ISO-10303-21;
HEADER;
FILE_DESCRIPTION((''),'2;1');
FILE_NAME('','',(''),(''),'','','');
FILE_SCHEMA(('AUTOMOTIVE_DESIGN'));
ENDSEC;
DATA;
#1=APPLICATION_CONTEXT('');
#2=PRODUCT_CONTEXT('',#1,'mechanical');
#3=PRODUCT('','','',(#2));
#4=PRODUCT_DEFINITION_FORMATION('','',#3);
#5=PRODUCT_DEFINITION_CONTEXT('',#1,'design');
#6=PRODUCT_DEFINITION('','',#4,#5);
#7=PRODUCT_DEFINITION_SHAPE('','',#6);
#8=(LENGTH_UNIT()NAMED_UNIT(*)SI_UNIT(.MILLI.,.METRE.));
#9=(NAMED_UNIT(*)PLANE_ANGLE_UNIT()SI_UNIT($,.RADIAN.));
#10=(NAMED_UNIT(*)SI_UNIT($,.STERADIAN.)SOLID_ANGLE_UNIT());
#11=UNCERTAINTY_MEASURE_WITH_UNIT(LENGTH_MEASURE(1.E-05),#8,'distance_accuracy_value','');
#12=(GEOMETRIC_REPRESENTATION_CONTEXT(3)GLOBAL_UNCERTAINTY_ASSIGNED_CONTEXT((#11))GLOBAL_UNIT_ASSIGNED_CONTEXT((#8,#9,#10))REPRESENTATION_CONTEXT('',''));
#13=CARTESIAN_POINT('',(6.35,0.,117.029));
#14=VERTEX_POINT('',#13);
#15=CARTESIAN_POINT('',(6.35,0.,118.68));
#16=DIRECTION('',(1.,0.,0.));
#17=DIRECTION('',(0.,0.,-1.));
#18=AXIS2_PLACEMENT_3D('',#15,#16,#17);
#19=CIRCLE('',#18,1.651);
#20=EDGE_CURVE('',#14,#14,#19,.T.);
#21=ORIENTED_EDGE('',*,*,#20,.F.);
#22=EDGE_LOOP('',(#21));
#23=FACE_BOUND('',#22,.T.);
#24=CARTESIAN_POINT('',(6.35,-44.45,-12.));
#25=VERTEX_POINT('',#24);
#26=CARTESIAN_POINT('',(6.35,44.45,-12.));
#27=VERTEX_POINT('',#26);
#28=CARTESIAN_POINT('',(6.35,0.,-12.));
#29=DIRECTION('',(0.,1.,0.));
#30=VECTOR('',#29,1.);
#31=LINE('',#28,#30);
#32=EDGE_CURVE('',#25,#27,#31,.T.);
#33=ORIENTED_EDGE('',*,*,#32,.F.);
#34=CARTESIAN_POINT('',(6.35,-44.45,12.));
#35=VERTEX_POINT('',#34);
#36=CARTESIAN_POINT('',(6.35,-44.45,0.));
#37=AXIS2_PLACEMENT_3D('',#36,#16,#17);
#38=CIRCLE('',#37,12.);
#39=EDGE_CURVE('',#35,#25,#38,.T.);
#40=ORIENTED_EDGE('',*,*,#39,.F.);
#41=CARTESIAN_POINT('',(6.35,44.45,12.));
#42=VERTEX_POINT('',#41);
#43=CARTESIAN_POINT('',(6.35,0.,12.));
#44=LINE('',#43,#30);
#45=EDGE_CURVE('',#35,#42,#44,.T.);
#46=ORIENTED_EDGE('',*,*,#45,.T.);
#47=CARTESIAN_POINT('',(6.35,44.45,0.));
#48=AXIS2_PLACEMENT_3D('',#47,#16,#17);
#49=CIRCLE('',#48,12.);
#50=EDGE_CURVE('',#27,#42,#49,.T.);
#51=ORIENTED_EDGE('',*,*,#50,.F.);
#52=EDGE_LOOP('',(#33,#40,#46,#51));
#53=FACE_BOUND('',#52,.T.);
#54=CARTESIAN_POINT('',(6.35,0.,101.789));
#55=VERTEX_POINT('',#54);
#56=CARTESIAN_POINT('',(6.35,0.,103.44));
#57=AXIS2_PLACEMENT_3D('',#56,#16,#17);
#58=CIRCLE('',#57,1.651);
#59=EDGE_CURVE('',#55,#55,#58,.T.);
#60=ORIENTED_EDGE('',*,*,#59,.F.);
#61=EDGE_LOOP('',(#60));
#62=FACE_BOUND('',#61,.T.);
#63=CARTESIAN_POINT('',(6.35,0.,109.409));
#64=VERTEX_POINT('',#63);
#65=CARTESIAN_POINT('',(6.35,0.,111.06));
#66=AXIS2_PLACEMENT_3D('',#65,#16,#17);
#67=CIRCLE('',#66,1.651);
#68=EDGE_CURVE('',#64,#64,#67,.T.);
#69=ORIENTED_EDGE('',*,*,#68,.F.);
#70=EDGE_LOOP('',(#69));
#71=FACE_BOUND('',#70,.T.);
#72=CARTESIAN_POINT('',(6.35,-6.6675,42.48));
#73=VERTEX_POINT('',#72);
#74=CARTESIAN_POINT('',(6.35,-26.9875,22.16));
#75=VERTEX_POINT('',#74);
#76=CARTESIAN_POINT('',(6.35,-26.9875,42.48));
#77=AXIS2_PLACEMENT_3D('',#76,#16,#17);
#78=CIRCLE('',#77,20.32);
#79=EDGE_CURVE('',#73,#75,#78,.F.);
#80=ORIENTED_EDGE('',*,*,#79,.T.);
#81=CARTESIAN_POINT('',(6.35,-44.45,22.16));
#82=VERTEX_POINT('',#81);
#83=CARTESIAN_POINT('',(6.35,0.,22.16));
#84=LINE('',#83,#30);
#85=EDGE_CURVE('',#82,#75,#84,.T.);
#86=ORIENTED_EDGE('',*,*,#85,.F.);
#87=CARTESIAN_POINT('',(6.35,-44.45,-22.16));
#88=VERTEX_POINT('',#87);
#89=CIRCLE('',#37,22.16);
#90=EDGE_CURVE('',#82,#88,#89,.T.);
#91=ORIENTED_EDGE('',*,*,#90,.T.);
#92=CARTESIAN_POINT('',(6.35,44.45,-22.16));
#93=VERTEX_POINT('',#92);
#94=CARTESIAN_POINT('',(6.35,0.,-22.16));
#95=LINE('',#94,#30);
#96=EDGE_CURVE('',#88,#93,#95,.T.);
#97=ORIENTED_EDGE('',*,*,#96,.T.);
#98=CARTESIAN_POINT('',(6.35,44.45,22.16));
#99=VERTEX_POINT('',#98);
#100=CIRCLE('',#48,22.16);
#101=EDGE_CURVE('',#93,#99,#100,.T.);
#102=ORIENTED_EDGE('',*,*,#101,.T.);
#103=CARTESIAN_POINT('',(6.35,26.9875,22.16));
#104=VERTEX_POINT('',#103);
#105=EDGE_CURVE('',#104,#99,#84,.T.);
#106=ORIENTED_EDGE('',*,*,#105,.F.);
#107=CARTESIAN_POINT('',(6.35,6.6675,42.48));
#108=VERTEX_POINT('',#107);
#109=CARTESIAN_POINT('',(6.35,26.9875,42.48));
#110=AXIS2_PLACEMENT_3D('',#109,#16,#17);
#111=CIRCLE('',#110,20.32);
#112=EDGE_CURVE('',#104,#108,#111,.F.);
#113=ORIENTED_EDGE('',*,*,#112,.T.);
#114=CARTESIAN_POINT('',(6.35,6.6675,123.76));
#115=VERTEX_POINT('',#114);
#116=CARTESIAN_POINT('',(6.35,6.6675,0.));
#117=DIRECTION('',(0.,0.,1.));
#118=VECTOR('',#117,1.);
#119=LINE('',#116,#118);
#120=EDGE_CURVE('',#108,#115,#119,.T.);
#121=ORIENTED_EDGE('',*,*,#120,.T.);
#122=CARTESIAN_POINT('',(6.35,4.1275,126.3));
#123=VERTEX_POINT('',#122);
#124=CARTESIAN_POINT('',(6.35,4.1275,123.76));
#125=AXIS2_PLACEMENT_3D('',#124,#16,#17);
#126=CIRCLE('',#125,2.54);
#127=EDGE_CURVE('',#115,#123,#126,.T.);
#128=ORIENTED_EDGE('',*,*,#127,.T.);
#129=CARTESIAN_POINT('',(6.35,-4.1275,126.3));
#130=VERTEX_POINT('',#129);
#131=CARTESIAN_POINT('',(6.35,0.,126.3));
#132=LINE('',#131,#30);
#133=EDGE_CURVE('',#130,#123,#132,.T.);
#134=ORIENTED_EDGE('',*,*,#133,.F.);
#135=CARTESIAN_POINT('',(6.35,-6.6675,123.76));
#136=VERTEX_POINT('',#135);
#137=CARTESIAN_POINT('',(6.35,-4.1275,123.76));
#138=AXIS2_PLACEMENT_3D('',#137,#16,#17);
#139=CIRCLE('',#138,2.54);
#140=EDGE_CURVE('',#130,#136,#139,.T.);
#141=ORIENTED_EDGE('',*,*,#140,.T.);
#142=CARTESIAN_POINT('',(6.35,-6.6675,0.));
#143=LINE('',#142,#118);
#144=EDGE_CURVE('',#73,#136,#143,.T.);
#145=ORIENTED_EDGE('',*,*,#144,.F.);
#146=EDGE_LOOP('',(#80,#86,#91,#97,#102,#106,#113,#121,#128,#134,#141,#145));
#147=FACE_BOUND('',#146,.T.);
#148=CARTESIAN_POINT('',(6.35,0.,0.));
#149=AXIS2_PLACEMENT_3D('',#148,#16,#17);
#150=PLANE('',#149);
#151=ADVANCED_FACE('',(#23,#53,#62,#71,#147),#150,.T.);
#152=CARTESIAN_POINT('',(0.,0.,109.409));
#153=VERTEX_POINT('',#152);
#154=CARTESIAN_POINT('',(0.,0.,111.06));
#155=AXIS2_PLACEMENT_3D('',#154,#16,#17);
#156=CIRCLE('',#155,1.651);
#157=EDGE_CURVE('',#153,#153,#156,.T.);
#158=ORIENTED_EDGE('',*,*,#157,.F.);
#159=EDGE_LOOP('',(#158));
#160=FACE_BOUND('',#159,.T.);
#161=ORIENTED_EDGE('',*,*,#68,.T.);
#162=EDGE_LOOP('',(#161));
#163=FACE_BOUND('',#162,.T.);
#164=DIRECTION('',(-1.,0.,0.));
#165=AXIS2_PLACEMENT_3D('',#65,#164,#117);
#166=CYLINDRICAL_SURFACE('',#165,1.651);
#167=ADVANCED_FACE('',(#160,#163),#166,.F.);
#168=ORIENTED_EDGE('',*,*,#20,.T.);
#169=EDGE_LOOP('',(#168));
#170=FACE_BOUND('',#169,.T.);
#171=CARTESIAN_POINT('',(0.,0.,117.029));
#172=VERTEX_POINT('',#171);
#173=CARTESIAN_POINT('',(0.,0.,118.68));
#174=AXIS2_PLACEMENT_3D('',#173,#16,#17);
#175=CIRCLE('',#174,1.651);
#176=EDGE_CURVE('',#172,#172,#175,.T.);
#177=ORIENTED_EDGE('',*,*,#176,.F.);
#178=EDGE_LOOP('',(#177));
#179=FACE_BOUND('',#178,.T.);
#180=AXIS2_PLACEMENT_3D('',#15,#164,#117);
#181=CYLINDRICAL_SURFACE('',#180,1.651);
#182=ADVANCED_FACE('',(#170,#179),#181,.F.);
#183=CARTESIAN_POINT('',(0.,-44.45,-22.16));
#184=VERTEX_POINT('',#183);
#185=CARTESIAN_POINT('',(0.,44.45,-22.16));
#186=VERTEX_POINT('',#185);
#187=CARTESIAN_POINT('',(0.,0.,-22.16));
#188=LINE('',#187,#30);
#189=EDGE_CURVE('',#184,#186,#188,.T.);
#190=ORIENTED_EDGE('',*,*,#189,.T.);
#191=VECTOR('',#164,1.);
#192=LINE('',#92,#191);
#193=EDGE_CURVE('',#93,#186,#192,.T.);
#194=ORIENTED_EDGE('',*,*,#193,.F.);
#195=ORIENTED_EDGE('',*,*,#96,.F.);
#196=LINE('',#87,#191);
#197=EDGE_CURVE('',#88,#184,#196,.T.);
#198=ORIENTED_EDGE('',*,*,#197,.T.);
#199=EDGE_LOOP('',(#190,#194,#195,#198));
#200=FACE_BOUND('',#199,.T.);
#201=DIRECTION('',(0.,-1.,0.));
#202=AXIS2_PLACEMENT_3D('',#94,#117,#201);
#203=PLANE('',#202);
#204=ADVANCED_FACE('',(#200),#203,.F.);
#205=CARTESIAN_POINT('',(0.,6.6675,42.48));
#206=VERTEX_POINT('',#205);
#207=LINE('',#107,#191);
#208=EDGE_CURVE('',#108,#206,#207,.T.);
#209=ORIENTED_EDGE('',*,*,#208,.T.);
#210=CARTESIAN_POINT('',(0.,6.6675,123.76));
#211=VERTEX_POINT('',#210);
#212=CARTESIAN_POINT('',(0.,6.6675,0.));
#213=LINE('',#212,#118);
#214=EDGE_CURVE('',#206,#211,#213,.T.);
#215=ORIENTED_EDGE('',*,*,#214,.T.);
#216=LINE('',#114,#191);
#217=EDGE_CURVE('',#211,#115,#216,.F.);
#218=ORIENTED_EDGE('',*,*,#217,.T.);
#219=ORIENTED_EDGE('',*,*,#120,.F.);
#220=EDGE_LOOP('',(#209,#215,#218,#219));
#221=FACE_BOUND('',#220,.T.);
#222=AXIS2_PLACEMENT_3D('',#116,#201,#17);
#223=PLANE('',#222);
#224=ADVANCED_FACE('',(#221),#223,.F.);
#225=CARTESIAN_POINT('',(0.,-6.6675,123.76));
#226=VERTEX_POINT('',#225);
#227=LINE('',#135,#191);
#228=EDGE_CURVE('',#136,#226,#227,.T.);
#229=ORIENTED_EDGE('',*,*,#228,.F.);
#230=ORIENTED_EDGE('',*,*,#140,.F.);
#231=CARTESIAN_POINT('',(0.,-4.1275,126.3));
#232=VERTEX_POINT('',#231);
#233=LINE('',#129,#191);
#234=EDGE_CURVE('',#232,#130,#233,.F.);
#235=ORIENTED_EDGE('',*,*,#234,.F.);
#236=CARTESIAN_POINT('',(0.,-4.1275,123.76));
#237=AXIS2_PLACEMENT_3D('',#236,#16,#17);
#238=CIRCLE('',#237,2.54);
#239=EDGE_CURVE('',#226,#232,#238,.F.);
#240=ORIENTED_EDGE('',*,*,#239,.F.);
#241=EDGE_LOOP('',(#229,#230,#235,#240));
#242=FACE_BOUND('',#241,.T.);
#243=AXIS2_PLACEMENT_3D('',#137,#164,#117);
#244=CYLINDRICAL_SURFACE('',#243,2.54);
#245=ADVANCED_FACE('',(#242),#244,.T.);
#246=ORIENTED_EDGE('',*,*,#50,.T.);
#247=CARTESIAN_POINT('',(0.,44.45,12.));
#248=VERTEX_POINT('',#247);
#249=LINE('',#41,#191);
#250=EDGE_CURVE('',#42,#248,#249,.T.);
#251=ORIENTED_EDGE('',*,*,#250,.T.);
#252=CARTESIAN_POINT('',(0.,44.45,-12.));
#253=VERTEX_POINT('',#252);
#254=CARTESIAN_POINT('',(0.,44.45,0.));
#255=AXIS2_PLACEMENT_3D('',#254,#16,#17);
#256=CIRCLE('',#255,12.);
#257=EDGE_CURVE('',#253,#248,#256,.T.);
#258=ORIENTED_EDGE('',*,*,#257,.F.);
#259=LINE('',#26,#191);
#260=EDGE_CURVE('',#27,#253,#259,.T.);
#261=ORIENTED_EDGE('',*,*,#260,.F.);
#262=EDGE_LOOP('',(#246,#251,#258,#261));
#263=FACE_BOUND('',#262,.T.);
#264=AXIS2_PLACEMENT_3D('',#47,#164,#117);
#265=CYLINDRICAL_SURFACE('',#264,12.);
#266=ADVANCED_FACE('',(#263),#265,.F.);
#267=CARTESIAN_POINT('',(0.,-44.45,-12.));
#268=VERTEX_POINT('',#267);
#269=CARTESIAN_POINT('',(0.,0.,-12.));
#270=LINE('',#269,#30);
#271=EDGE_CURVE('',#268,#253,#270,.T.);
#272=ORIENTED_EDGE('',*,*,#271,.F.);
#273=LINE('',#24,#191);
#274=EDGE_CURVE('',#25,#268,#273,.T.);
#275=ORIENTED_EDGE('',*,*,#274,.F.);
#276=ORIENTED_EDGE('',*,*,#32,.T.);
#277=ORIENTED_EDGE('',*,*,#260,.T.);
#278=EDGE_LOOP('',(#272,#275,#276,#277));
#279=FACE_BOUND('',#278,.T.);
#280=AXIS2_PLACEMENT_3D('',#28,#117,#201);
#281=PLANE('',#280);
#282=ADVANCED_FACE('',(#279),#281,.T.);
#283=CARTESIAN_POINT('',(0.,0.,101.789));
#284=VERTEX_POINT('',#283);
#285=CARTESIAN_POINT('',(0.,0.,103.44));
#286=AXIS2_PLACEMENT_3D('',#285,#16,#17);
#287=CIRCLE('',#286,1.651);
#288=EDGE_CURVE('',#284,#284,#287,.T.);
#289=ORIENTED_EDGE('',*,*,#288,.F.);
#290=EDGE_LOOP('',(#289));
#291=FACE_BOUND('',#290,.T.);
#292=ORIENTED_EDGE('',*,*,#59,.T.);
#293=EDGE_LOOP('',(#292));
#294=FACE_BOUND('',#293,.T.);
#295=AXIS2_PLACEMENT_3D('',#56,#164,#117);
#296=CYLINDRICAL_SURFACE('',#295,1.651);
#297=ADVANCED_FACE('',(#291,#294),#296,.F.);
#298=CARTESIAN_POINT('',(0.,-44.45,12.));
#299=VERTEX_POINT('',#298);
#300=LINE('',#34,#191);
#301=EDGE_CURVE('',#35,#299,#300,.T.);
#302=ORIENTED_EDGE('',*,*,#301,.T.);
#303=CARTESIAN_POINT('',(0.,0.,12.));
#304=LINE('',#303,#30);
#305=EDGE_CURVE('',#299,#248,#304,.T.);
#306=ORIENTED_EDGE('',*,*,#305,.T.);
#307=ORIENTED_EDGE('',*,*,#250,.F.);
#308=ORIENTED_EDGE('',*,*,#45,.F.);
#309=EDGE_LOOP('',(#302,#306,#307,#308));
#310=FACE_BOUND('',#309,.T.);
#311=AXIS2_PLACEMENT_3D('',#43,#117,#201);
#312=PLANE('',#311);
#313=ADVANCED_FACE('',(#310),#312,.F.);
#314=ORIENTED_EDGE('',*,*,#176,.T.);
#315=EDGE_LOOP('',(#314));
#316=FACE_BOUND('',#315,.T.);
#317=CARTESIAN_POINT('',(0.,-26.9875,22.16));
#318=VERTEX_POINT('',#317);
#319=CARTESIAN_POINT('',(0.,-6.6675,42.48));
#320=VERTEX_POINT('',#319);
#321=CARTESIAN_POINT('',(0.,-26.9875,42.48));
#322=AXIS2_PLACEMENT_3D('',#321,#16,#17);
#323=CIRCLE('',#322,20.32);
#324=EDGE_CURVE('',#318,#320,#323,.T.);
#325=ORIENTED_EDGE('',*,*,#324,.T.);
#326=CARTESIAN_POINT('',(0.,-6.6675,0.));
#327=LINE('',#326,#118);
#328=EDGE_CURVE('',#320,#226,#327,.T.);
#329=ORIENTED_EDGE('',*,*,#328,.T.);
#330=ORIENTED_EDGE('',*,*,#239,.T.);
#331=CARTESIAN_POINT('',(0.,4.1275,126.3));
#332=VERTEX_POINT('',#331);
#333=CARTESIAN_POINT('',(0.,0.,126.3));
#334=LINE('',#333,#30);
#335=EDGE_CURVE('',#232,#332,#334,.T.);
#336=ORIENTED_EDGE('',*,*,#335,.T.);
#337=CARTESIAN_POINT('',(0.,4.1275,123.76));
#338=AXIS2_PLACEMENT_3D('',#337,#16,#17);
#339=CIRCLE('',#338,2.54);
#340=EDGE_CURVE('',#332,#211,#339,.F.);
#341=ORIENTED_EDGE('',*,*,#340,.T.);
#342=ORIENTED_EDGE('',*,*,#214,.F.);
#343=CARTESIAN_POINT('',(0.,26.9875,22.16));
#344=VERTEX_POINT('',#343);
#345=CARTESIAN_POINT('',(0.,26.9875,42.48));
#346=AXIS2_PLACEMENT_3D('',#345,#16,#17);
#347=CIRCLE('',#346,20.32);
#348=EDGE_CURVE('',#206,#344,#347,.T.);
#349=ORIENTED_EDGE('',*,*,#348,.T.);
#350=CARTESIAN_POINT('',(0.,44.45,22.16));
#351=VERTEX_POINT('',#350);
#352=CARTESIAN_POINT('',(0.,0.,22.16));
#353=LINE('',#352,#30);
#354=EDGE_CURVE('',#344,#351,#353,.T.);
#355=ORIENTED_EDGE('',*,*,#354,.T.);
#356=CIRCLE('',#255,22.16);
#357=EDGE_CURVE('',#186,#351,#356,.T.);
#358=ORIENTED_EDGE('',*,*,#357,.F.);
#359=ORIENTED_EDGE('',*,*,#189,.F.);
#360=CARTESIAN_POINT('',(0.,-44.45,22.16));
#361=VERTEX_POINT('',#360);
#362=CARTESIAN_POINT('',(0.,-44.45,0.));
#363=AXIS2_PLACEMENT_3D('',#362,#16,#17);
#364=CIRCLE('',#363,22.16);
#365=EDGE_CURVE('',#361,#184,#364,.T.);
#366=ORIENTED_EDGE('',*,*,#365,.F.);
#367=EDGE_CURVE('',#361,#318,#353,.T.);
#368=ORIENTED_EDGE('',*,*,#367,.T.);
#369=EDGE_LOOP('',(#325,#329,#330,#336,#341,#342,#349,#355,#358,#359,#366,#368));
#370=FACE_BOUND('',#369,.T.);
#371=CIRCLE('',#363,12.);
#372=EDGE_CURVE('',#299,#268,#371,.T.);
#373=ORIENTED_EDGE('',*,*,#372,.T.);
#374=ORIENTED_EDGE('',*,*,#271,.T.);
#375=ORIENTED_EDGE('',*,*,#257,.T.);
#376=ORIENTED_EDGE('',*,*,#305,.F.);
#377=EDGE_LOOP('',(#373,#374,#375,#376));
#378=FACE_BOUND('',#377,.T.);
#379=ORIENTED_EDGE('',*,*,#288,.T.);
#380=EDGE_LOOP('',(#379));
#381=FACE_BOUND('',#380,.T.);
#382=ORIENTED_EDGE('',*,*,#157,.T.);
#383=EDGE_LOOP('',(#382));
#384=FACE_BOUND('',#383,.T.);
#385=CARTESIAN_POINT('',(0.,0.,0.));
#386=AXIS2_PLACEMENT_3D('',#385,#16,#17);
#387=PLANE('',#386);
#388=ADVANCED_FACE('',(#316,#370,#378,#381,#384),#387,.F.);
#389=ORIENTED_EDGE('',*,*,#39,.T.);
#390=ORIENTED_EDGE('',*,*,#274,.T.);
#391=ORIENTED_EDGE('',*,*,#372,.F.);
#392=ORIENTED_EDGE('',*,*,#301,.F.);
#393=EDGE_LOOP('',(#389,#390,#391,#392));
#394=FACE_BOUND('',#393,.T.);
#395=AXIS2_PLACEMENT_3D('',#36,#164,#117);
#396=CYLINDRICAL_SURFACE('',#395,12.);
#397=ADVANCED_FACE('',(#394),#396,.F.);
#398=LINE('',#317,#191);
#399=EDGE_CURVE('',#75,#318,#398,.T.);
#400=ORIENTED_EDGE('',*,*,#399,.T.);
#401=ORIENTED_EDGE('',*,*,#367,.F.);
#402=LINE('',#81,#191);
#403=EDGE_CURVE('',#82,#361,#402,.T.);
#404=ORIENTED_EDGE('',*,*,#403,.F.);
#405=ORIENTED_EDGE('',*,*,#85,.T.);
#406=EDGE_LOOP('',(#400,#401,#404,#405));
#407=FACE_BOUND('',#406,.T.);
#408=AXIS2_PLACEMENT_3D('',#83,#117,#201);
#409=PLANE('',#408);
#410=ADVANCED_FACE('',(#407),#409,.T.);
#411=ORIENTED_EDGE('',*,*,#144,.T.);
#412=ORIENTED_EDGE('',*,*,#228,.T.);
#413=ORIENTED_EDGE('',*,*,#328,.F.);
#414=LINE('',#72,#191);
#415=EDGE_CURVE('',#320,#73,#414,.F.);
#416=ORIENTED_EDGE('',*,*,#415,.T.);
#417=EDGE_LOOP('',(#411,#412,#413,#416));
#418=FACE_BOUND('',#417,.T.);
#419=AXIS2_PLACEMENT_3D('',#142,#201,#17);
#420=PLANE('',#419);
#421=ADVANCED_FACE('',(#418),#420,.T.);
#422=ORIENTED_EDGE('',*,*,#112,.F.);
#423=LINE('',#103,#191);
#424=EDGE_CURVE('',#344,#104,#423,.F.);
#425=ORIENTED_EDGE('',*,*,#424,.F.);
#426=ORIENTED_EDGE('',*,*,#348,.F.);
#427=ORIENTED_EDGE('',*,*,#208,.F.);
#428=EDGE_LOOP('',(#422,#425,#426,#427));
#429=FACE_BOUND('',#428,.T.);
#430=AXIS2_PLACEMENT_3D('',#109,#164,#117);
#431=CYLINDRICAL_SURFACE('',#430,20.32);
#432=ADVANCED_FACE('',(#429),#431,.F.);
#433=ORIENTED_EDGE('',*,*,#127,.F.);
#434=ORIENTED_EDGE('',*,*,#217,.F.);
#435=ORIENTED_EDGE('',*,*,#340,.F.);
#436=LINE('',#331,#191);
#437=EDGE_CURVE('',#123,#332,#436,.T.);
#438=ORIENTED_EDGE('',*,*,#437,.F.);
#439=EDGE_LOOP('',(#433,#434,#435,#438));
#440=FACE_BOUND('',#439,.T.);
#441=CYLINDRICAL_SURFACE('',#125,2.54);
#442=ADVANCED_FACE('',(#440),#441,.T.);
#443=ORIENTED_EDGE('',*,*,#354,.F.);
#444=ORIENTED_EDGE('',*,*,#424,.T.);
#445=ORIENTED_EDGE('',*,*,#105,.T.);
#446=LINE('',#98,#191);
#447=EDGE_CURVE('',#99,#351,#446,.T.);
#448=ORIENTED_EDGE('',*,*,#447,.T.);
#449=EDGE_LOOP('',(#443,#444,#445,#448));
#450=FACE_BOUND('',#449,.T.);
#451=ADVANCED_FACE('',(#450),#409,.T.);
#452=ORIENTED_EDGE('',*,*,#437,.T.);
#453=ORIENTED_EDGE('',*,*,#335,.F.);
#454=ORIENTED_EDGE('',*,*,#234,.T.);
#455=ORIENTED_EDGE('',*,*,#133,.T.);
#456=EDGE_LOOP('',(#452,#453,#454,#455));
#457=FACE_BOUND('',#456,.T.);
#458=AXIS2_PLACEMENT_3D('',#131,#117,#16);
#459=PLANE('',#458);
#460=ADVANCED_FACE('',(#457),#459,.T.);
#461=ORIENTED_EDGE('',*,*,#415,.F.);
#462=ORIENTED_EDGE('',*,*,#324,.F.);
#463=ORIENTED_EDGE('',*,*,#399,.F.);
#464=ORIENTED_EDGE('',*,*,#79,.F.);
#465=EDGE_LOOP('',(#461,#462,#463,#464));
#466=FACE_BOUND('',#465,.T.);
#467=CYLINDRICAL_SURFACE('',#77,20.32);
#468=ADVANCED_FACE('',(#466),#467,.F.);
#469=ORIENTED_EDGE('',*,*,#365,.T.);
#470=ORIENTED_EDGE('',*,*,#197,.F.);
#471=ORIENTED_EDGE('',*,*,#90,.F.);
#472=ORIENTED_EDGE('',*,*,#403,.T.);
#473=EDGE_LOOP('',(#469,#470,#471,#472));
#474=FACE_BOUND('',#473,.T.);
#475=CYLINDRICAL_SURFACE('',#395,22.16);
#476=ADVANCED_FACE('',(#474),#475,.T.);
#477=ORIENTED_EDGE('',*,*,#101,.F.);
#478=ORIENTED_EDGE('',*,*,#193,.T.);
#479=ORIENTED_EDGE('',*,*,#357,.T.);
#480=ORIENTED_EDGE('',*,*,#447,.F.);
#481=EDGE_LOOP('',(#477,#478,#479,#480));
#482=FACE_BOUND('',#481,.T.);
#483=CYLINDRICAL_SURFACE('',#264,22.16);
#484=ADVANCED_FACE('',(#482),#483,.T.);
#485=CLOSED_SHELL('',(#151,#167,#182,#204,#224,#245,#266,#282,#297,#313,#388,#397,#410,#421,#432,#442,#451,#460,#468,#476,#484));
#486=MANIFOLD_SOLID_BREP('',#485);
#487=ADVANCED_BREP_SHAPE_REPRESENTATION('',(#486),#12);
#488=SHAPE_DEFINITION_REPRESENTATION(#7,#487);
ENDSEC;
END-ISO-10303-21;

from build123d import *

# Parameters (mm, degrees)
SKETCH2_R           = 1.651
BOSS_EXTRUDE2_DEPTH = 6.35
FILLET2_R           = 20.32
FILLET3_R           = 2.54


with BuildPart() as part:
    # Sketch2 → Boss-Extrude2 (new body)
    with BuildSketch(Plane(origin=(0, 0, 0), x_dir=(0, 0, -1), z_dir=(1, 0, 0))):
        with BuildLine():
            Line((-22.16, -6.6675), (-22.16, -44.45))
            ThreePointArc((-22.16, -44.45), (0, -66.61), (22.16, -44.45))
            Line((22.16, -44.45), (22.16, 44.45))
            ThreePointArc((22.16, 44.45), (0, 66.61), (-22.16, 44.45))
            Line((-22.16, 44.45), (-22.16, 6.6675))
            Line((-22.16, 6.6675), (-126.3, 6.6675))
            Line((-126.3, 6.6675), (-126.3, -6.6675))
            Line((-126.3, -6.6675), (-22.16, -6.6675))
        make_face()
        with BuildLine():
            ThreePointArc((12, -44.45), (0, -56.45), (-12, -44.45))
            Line((-12, -44.45), (-12, 44.45))
            ThreePointArc((-12, 44.45), (0, 56.45), (12, 44.45))
            Line((12, 44.45), (12, -44.45))
        make_face(mode=Mode.SUBTRACT)
        with Locations((-111.06, 0)):
            Circle(SKETCH2_R, mode=Mode.SUBTRACT)
        with Locations((-103.44, 0)):
            Circle(SKETCH2_R, mode=Mode.SUBTRACT)
        with Locations((-118.68, 0)):
            Circle(SKETCH2_R, mode=Mode.SUBTRACT)
    extrude(amount=BOSS_EXTRUDE2_DEPTH)

    # Fillet2
    fillet2_edges = [part.edges().sort_by_distance(p)[0] for p in [
        (3.175, 6.6675, 22.16),
        (3.175, -6.6675, 22.16),
    ]]
    fillet(fillet2_edges, radius=FILLET2_R)

    # Fillet3
    fillet3_edges = [part.edges().sort_by_distance(p)[0] for p in [
        (3.175, 6.6675, 126.3),
        (3.175, -6.6675, 126.3),
    ]]
    fillet(fillet3_edges, radius=FILLET3_R)


solid = part.part
